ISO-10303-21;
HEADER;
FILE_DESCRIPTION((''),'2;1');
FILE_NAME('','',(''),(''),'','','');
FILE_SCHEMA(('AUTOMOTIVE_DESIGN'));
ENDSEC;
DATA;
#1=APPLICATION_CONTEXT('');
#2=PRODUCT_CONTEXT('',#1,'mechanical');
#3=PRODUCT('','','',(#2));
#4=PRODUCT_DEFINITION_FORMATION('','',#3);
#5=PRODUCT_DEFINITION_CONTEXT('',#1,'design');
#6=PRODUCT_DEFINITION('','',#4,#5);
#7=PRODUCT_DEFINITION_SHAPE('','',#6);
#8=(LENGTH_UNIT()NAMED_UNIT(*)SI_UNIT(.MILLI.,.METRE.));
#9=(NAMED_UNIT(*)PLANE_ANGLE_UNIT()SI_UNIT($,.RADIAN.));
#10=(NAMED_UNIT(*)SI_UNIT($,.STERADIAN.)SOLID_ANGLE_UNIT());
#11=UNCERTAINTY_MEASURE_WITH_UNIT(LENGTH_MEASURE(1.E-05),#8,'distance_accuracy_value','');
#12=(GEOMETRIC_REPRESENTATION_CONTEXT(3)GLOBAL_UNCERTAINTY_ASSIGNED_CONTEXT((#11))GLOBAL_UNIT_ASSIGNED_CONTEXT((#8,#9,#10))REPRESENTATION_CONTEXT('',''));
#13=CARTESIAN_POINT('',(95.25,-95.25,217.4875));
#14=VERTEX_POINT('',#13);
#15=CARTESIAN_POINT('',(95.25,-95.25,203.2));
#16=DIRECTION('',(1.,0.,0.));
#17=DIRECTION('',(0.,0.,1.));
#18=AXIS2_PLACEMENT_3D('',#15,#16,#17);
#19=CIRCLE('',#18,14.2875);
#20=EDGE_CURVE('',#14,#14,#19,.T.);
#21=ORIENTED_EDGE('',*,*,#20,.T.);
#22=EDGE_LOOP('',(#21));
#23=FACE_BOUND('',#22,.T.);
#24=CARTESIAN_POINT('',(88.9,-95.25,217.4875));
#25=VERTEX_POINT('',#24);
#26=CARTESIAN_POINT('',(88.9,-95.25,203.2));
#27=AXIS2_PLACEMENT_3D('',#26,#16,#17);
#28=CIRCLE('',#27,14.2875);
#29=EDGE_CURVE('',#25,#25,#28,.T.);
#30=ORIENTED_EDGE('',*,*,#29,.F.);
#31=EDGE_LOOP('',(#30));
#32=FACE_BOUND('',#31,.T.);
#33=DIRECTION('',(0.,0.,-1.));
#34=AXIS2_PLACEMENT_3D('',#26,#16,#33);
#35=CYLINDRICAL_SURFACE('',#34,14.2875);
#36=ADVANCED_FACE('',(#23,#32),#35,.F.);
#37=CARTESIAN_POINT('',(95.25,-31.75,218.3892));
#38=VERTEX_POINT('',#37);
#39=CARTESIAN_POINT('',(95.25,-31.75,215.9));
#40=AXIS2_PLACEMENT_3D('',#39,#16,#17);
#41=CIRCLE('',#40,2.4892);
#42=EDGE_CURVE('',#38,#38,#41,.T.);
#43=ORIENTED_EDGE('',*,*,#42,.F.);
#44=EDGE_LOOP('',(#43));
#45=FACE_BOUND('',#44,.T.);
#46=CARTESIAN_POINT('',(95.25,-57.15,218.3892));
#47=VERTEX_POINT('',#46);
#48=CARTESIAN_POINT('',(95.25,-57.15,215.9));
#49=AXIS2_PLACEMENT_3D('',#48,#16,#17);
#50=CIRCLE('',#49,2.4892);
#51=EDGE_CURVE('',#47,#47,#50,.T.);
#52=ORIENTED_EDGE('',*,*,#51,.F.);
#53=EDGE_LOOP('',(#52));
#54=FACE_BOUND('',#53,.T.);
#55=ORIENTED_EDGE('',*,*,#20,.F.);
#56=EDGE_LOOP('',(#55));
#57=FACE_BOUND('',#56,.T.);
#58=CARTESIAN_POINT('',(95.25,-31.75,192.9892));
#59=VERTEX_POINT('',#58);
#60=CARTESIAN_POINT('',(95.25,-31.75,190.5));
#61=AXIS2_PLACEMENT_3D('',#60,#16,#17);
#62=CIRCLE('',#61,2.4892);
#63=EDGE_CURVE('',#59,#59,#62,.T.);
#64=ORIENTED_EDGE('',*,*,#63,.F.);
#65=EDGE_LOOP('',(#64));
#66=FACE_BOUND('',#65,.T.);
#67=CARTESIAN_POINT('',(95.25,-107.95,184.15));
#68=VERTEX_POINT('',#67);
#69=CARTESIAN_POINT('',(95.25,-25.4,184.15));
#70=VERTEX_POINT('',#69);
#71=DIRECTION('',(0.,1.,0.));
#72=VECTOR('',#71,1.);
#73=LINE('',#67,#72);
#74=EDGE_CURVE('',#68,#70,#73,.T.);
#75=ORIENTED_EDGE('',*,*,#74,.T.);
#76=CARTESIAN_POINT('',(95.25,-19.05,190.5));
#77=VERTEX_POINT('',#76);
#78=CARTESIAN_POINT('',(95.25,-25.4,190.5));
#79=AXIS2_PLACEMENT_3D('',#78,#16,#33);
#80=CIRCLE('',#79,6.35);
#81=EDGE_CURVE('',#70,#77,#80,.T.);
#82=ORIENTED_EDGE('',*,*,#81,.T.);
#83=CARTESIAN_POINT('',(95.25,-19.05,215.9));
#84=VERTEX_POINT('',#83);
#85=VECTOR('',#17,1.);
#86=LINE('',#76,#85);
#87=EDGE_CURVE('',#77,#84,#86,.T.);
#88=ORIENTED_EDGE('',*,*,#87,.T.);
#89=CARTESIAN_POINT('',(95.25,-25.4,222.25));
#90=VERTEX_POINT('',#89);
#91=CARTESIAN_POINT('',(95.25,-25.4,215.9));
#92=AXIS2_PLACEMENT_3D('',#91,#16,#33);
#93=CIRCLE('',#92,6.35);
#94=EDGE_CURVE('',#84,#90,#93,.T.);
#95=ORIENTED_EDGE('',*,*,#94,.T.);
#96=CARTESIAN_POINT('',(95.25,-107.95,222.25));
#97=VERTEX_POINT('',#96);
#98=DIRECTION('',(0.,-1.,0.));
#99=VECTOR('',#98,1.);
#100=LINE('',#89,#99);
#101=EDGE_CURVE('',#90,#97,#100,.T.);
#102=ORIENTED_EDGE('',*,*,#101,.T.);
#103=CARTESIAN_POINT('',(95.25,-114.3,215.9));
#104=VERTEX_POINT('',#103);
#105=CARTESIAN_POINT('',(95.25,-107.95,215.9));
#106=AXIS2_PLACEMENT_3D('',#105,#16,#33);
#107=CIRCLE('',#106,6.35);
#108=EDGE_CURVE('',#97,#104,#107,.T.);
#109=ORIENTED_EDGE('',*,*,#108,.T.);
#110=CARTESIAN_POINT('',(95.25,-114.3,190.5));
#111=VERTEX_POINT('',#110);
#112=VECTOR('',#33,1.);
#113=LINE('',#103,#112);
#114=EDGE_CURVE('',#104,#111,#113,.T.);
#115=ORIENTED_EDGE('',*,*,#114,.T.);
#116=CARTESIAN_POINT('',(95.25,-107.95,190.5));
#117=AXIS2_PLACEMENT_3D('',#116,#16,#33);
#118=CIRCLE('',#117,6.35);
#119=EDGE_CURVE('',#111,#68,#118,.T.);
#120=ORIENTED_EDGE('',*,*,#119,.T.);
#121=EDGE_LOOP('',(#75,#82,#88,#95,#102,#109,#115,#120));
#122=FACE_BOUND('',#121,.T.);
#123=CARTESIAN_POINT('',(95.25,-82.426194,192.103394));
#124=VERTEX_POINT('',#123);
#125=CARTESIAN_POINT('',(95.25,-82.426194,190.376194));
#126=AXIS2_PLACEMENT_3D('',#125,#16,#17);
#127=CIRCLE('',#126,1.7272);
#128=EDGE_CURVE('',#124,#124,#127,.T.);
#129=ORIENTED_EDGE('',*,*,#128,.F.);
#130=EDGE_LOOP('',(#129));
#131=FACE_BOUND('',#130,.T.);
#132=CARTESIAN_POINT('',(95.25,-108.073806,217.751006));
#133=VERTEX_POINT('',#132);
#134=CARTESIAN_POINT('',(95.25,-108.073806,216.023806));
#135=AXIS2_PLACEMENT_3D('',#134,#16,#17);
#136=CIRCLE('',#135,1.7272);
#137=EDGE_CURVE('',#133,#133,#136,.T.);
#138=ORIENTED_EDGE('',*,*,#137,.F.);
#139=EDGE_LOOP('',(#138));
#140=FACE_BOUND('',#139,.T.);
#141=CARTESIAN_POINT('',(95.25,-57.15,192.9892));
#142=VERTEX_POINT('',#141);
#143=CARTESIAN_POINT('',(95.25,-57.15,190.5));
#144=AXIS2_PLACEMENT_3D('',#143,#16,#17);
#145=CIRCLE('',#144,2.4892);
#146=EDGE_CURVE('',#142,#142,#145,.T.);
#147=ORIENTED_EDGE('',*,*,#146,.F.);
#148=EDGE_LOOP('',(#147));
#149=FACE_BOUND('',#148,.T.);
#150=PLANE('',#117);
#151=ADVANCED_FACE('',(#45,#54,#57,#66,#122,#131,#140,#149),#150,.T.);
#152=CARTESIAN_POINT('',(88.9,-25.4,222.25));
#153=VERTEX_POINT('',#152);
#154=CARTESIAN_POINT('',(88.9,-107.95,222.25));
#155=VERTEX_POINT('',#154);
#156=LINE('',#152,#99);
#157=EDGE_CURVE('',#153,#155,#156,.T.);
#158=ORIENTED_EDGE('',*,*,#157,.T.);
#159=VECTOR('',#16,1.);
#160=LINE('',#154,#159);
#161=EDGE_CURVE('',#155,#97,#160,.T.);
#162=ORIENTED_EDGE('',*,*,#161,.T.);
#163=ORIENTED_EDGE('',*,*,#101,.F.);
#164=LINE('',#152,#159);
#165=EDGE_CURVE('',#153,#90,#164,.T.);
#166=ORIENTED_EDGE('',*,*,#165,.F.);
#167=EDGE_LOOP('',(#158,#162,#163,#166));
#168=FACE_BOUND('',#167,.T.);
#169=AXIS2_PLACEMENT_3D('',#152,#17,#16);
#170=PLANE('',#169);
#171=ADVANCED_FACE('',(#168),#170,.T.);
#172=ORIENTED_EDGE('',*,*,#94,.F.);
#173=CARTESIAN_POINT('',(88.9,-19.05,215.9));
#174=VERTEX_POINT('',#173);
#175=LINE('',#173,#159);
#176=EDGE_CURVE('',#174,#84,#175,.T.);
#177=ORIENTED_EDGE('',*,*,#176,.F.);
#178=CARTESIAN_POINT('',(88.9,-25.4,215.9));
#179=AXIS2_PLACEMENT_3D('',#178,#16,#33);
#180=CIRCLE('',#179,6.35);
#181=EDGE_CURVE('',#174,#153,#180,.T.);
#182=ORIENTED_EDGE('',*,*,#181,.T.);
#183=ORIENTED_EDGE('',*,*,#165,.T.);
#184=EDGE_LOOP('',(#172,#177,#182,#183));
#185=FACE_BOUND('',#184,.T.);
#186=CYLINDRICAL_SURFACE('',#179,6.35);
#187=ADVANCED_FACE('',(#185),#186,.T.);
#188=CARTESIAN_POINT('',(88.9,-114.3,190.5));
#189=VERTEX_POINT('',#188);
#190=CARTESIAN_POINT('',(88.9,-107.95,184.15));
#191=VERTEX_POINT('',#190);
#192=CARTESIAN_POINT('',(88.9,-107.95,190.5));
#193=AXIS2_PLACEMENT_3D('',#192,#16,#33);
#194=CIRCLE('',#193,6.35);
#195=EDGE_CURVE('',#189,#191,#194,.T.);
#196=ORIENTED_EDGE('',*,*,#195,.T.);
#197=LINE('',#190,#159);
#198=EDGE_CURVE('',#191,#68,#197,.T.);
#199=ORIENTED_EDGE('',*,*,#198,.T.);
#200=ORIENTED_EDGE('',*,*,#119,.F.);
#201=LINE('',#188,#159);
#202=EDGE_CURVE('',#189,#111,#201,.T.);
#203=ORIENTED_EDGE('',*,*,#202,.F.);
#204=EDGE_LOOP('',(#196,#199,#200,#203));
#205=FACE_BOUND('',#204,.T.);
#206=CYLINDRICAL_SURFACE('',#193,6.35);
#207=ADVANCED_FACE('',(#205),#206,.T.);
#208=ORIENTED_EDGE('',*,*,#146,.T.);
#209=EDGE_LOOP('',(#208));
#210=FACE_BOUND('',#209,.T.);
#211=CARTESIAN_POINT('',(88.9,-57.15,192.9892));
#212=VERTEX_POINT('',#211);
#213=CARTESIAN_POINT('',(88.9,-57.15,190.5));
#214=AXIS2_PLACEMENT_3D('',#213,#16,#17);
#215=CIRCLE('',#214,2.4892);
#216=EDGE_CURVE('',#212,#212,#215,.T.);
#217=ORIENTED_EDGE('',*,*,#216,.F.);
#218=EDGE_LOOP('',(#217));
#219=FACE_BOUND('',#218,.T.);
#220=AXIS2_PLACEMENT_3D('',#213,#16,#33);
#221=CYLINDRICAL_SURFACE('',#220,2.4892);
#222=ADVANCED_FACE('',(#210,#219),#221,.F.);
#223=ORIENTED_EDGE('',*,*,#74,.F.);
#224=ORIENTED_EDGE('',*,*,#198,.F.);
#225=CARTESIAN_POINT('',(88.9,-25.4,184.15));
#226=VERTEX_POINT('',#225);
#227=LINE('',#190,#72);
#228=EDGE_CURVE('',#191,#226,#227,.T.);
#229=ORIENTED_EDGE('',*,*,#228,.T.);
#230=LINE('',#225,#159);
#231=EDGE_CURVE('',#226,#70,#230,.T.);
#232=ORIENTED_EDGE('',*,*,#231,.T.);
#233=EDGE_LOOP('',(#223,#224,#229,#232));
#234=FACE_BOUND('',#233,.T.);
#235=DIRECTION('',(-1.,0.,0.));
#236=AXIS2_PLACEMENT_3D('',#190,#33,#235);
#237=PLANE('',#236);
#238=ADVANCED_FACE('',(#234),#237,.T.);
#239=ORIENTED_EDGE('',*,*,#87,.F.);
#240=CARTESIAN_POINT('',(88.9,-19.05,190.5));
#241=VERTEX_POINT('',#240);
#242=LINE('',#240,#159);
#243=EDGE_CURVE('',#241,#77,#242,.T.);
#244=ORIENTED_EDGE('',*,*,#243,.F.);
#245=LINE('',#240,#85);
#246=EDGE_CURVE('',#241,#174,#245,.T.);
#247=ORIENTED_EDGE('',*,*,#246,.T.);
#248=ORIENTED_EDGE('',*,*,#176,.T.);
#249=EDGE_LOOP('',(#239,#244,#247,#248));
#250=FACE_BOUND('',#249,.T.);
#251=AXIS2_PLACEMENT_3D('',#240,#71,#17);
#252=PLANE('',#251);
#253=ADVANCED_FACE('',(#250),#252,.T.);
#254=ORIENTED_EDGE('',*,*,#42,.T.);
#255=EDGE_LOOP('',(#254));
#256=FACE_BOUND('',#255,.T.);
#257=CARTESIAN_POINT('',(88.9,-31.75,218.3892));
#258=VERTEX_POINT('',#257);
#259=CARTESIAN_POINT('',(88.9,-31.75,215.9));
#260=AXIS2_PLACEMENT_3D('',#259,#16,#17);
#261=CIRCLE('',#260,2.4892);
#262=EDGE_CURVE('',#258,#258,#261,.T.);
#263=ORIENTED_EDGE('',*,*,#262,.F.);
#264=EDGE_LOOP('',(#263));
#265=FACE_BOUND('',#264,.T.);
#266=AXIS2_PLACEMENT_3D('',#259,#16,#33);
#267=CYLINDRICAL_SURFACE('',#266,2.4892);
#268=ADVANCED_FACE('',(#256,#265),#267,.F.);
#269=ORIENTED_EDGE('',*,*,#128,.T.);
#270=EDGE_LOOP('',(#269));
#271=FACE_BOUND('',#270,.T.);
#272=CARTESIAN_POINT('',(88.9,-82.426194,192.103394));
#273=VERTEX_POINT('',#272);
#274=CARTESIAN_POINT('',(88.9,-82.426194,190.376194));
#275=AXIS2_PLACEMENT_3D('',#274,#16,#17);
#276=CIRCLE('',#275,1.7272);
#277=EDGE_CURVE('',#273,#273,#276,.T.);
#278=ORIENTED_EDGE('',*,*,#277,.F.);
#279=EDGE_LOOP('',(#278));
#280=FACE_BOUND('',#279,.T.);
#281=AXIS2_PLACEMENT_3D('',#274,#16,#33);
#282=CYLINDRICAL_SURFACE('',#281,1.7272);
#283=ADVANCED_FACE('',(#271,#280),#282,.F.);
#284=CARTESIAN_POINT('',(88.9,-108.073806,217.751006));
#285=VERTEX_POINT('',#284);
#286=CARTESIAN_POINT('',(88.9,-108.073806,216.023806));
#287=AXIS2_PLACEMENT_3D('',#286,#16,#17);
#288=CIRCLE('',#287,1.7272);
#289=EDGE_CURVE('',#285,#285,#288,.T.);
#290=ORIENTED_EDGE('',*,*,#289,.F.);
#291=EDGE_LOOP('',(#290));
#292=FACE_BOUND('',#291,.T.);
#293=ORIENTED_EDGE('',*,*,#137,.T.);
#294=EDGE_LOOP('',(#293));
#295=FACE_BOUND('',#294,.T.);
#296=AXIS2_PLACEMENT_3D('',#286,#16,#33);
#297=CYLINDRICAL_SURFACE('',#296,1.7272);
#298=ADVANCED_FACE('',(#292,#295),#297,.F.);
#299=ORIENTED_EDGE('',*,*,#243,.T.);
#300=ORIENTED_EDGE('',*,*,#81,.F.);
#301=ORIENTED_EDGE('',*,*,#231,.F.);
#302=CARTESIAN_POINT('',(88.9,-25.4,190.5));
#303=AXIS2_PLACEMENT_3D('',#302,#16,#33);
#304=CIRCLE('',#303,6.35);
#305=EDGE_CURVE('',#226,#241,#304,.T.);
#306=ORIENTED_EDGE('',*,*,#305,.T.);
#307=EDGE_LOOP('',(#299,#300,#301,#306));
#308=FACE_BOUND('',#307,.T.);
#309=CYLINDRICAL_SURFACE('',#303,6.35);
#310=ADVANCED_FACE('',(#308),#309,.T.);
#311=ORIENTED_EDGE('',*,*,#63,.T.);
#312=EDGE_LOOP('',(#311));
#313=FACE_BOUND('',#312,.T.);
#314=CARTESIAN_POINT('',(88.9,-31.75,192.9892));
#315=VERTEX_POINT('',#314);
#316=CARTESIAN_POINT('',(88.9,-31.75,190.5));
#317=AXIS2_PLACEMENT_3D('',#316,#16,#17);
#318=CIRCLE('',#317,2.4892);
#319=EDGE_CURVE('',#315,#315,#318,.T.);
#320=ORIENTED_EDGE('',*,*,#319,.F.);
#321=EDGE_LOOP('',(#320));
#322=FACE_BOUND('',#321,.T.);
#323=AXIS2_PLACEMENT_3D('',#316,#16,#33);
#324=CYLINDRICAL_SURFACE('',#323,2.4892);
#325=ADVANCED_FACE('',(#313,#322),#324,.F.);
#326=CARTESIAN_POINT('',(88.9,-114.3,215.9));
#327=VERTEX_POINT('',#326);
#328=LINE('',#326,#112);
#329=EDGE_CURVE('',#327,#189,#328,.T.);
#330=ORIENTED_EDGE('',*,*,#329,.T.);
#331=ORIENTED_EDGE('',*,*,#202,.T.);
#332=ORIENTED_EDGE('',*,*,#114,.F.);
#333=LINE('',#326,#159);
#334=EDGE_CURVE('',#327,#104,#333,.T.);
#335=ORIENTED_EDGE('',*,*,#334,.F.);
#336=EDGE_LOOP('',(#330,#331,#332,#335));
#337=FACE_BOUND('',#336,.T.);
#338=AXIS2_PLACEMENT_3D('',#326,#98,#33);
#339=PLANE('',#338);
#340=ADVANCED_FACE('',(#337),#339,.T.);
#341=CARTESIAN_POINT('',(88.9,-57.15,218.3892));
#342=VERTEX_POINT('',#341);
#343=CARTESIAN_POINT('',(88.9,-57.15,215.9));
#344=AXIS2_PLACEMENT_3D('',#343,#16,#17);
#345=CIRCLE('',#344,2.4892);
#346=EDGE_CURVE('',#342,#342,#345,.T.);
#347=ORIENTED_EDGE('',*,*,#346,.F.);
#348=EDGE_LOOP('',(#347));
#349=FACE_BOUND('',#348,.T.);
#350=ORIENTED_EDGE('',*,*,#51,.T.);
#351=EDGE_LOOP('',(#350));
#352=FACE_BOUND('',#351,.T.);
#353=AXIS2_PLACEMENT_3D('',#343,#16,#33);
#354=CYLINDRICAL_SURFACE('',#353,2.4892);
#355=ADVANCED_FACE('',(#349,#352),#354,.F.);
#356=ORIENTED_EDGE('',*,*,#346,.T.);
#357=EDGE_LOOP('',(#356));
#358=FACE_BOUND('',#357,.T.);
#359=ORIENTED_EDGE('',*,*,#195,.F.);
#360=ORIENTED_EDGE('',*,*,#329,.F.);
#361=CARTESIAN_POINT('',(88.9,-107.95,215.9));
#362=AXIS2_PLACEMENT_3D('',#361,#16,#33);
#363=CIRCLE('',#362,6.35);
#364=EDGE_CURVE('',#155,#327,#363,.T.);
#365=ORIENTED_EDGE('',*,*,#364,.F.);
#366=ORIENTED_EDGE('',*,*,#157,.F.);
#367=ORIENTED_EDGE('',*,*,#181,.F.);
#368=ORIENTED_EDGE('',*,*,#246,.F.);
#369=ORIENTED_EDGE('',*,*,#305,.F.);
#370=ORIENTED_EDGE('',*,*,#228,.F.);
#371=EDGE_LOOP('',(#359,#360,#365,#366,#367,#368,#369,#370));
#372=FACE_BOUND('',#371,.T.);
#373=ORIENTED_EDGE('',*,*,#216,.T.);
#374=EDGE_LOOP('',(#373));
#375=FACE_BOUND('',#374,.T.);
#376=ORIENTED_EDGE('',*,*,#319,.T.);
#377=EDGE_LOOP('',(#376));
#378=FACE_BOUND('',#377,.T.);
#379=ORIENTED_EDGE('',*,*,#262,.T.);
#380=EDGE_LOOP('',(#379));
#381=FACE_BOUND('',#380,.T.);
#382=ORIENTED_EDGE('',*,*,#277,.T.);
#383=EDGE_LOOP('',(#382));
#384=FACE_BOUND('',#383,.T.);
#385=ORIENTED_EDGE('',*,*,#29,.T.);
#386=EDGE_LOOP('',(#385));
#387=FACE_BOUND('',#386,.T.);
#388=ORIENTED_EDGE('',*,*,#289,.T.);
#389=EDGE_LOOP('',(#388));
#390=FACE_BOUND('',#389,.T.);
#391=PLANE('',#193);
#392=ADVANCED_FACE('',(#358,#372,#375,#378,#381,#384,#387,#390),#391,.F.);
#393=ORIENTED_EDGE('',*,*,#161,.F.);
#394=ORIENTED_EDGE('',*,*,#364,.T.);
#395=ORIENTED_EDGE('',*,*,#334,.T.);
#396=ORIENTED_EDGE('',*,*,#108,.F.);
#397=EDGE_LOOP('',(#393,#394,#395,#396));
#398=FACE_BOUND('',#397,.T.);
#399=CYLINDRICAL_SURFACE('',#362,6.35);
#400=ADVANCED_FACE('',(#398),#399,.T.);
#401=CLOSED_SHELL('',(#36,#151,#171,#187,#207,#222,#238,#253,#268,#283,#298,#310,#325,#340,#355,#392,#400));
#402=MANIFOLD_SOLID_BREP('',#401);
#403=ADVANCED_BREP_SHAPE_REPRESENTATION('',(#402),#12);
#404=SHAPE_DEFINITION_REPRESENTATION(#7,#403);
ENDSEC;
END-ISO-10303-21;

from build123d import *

# Parameters (mm, degrees)
SKETCH1_R           = 1.7272
SKETCH1_R_2         = 14.2875
SKETCH1_R_3         = 2.4892
BOSS_EXTRUDE1_DEPTH = 6.35


with BuildPart() as part:
    # Sketch1 → Boss-Extrude1 (new body)
    with BuildSketch(Plane(origin=(95.25, 0, 0), x_dir=(0, 0, -1), z_dir=(1, 0, 0))):
        with BuildLine():
            Line((-184.15, -107.95), (-184.15, -25.4))
            ThreePointArc((-184.15, -25.4), (-186.009871939, -20.909871939), (-190.5, -19.05))
            Line((-190.5, -19.05), (-215.9, -19.05))
            ThreePointArc((-215.9, -19.05), (-220.390128061, -20.909871939), (-222.25, -25.4))
            Line((-222.25, -25.4), (-222.25, -107.95))
            ThreePointArc((-222.25, -107.95), (-220.390128061, -112.440128061), (-215.9, -114.3))
            Line((-215.9, -114.3), (-190.5, -114.3))
            ThreePointArc((-190.5, -114.3), (-186.009871939, -112.440128061), (-184.15, -107.95))
        make_face()
        with Locations(Location((-190.376194259, -82.426194259, 0), (0, 0, 180))):
            Circle(SKETCH1_R, mode=Mode.SUBTRACT)
        with Locations(Location((-216.023805741, -108.073805741, 0), (0, 0, 180))):
            Circle(SKETCH1_R, mode=Mode.SUBTRACT)
        with Locations(Location((-203.2, -95.25, 0), (0, 0, 180))):
            Circle(SKETCH1_R_2, mode=Mode.SUBTRACT)
        with Locations(Location((-215.9, -31.75, 0), (0, 0, 180))):
            Circle(SKETCH1_R_3, mode=Mode.SUBTRACT)
        with Locations(Location((-190.5, -31.75, 0), (0, 0, 180))):
            Circle(SKETCH1_R_3, mode=Mode.SUBTRACT)
        with Locations(Location((-215.9, -57.15, 0), (0, 0, 180))):
            Circle(SKETCH1_R_3, mode=Mode.SUBTRACT)
        with Locations(Location((-190.5, -57.15, 0), (0, 0, 180))):
            Circle(SKETCH1_R_3, mode=Mode.SUBTRACT)
    extrude(amount=-BOSS_EXTRUDE1_DEPTH)


solid = part.part
